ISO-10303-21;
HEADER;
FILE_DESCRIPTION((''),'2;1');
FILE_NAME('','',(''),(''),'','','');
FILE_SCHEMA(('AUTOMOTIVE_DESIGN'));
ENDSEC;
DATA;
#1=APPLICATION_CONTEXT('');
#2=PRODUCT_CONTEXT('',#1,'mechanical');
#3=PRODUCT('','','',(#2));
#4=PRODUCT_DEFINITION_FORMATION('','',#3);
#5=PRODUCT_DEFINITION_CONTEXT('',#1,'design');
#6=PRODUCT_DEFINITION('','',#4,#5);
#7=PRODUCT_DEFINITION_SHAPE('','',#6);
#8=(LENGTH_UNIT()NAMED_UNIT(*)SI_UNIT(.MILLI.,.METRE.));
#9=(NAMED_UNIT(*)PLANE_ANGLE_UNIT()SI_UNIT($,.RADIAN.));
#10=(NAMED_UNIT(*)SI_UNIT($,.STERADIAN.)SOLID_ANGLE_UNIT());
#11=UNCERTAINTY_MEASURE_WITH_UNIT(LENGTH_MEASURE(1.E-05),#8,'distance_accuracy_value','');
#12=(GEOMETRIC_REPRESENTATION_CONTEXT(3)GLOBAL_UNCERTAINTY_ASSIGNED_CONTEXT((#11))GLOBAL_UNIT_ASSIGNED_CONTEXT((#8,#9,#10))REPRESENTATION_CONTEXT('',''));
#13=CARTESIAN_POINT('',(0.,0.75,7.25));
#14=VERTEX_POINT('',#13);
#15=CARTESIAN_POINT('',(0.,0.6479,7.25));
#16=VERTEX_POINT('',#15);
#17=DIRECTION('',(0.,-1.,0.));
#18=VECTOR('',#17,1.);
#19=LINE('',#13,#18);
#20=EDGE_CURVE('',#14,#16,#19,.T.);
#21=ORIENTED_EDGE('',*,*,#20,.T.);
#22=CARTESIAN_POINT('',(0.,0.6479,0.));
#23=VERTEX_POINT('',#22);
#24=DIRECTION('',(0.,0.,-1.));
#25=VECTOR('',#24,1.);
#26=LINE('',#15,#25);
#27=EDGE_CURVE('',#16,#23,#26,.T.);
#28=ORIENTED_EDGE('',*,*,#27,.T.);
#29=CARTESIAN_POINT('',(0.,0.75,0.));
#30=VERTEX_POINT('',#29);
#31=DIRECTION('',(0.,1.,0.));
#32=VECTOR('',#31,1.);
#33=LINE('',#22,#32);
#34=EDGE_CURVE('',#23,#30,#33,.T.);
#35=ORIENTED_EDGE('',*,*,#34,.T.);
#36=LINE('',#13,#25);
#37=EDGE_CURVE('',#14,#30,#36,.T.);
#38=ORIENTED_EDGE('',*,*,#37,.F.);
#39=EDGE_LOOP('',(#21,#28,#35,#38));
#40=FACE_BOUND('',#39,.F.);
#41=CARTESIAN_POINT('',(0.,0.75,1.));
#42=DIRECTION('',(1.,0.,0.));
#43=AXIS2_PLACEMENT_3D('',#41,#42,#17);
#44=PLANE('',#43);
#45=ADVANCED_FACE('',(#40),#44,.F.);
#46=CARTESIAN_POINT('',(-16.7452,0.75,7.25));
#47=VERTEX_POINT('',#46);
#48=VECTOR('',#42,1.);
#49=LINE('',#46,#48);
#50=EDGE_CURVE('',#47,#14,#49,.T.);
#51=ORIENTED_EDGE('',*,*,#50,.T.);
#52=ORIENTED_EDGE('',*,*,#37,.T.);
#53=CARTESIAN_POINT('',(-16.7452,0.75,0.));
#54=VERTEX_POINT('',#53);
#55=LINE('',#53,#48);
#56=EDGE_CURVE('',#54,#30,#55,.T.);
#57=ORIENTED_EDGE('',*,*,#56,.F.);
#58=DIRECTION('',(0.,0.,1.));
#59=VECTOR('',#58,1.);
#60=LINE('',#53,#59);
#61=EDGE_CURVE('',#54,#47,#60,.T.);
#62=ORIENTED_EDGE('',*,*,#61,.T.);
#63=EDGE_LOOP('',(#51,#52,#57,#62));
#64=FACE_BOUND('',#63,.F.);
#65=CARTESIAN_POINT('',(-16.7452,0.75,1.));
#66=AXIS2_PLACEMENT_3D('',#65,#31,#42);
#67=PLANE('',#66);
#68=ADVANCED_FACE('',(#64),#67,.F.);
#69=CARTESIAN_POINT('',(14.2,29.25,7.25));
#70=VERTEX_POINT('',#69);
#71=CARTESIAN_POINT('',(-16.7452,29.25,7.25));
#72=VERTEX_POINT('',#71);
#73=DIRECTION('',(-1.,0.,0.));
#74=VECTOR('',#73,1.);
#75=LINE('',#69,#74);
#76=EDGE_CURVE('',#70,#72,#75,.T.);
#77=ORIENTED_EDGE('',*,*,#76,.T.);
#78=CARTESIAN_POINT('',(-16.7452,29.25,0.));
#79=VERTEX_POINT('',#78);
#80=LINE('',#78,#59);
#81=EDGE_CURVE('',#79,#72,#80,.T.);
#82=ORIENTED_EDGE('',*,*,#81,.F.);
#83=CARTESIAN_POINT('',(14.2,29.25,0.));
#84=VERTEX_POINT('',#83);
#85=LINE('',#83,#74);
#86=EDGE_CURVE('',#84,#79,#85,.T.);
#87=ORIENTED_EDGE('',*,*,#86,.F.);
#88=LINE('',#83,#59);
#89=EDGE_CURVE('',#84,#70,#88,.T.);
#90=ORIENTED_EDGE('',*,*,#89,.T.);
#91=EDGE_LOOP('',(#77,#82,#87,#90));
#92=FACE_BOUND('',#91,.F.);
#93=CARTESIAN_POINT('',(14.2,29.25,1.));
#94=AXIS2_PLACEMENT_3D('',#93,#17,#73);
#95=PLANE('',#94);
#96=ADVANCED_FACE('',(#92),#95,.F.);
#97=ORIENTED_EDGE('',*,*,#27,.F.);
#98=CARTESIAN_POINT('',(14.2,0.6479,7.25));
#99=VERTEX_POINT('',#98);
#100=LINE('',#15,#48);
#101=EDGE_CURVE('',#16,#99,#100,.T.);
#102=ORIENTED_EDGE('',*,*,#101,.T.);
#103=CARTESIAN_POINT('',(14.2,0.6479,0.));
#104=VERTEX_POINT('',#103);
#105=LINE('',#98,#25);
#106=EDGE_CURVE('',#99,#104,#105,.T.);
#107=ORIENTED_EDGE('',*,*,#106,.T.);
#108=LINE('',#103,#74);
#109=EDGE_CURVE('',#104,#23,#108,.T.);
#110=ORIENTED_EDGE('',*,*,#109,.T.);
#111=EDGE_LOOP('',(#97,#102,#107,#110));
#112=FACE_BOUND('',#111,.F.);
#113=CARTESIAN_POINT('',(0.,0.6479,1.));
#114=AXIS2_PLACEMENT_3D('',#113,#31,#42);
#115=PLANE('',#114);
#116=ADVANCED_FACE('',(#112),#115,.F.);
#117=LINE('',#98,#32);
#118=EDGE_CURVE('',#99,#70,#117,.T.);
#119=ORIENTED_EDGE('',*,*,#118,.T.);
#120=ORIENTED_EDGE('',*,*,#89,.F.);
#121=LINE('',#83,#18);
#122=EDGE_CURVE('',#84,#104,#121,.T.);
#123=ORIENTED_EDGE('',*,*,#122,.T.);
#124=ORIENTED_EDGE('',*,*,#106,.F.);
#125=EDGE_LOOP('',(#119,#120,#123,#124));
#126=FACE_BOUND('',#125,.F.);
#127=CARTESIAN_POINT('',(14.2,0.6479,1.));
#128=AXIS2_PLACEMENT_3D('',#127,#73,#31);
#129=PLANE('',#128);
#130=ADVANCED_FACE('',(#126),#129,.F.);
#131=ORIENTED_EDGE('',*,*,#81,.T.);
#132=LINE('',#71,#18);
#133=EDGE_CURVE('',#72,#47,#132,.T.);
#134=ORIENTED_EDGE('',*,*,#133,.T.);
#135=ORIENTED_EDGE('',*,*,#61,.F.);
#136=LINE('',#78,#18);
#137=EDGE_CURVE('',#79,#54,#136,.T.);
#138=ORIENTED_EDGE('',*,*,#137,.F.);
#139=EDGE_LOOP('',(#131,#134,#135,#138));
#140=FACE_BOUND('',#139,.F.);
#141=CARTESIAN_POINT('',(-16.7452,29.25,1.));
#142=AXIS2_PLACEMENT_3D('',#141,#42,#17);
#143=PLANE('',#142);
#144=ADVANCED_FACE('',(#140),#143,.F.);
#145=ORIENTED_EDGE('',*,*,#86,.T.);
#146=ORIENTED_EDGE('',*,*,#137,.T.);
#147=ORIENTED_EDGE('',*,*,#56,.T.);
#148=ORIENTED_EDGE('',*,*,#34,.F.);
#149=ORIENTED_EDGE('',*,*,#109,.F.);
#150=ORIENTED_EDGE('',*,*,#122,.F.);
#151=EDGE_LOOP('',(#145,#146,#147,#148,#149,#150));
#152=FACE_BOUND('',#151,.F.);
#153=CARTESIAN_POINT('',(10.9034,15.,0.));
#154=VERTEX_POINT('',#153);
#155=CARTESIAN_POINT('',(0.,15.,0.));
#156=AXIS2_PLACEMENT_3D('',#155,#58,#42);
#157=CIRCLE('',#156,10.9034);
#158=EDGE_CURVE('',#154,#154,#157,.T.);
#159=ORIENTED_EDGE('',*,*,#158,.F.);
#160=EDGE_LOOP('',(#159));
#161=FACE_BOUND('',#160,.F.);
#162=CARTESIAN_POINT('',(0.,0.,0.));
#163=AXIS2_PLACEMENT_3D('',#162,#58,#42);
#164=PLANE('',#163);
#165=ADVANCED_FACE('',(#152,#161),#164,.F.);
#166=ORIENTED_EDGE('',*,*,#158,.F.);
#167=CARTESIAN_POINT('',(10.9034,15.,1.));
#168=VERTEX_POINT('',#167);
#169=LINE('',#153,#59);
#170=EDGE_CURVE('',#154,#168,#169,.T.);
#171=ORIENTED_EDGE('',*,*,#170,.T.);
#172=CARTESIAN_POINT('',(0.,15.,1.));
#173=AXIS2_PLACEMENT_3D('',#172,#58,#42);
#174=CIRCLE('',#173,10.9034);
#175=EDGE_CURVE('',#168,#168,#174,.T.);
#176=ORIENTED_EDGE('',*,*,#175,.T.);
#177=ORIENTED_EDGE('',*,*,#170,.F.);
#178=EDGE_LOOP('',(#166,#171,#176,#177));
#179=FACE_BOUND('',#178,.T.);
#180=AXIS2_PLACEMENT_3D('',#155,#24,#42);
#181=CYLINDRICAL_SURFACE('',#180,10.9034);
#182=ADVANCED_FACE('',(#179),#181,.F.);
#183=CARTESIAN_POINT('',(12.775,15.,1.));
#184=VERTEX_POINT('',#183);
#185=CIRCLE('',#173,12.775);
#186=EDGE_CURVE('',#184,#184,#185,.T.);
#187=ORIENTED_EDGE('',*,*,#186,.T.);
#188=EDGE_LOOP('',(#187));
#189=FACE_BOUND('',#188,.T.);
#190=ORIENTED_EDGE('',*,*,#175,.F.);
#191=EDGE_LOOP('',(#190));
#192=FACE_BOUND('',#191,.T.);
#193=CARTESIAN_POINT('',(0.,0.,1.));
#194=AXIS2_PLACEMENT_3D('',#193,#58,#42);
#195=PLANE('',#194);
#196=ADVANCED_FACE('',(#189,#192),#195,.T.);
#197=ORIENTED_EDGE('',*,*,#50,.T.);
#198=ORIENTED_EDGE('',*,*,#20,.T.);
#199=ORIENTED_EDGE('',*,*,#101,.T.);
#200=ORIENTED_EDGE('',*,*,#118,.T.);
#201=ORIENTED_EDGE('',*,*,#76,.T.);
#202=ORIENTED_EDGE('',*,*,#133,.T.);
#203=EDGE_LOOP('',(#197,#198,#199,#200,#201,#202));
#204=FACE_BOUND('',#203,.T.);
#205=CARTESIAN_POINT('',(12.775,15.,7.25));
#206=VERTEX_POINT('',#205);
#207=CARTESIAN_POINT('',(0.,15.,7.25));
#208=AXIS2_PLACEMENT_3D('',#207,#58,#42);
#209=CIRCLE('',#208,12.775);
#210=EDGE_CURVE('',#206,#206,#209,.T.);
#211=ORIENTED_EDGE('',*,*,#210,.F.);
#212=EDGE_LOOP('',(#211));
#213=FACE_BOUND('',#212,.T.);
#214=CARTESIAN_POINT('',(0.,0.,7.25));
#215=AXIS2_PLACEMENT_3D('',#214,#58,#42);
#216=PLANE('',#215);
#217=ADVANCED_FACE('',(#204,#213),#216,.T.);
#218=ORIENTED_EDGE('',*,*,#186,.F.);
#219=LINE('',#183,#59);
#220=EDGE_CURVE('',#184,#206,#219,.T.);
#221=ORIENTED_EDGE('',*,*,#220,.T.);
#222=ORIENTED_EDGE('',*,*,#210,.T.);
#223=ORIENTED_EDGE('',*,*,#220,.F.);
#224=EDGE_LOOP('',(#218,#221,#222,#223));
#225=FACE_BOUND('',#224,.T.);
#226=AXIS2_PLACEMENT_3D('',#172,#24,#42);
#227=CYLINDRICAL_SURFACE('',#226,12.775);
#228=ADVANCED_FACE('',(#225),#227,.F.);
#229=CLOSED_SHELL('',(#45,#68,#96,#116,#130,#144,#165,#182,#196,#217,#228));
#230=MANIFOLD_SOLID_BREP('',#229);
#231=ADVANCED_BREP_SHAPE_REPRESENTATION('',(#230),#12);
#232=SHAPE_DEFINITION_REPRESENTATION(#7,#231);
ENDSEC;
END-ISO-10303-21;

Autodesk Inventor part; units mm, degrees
ref_plane "YZ Plane" through (0, 0, 0) normal (1, 0, 0) x (0, 1, 0)
ref_plane "XZ Plane" through (0, 0, 0) normal (0, 1, 0) x (-1, 0, 0)
ref_plane "XY Plane" through (0, 0, 0) normal (0, 0, 1) x (1, 0, 0)
ref_plane "Work Plane1" through (0, 0, 0) normal (0, 0, 1) x (1, 0, 0)
sketch "Sketch1" plane through (0, 0, 0) normal (0, 0, 1) x (1, 0, 0)
  arc A0 (-18.155, 30) -> (-18.155, 0) centre (0, 15) ccw construction
  line L0 (-18.155, 0) -> (-3.4871, 0) construction
  line L1 (-18.155, 30) -> (-3.4871, 30) construction
  circle A1 centre (0, 15) radius 15.4 construction
  line L2 (-6.5238, 0.75) -> (-17.7982, 0.75) construction
  line L3 (-17.7982, 29.25) -> (-6.5238, 29.25) construction
  line L4 (-6.5238, 29.25) -> (0, 29.25) construction
  line L5 (-6.5238, 0.75) -> (0, 0.75) construction
  line L6 (-16.7452, 29.25) -> (-16.7452, 0.75)
  line L7 (-16.7452, 0.75) -> (0, 0.75)
  line L8 (-16.7452, 29.25) -> (0, 29.25)
  arc A2 (-3.4871, 0) -> (3.4871, 0) centre (0, 15) ccw projected
  line L9 (3.4871, 0) -> (18, 0) projected
  line L10 (18, 0) -> (18, 30) projected
  line L11 (3.4871, 30) -> (18, 30) projected
  arc A3 (3.4871, 30) -> (-3.4871, 30) centre (0, 15) ccw projected
  line L12 (-7.3927, 28.5095) -> (7.3927, 28.5095) projected
  arc A4 (7.3927, 1.4905) -> (7.3927, 28.5095) centre (0, 15) ccw projected
  line L13 (7.3927, 1.4905) -> (-7.3927, 1.4905) projected
  arc A5 (-7.3927, 28.5095) -> (-7.3927, 1.4905) centre (0, 15) ccw projected
  line L14 (14.65, 3.6133) -> (14.65, -23.4854) projected
  line L15 (0, 29.25) -> (14.2, 29.25)
  line L16 (14.2, 29.25) -> (14.2, 0.6479)
  line L17 (14.2, 0.6479) -> (0, 0.6479)
  circle A6 centre (0, 15) radius 10.9034
  line L18 (0, 0.6479) -> (0, 0.75)
  point P0 (0, 0)
  dimension "d8" = 14.2
extrude "Extrusion1" add sketch "Sketch1" along normal blind 1 contours L8 L15 L16 A4 L12 A5 L13 L17 L18 L7 L6 | L16 A4 L13 A5 L12
sketch "Sketch2" plane through (0, 0, 1) normal (0, 0, 1) x (1, 0, 0)
  line L0 (14.2, 29.25) -> (-16.7452, 29.25) projected
  line L1 (-16.7452, 29.25) -> (-16.7452, 0.75) projected
  line L2 (-16.7452, 0.75) -> (0, 0.75) projected
  circle A0 centre (0, 15) radius 12.775
  line L3 (0, 0.75) -> (0, 0.6479) projected
  line L4 (0, 0.6479) -> (14.2, 0.6479) projected
  line L5 (14.2, 0.6479) -> (14.2, 29.25) projected
  point P0 (0, 0)
  dimension "d5" = 25.55
extrude "Extrusion2" add sketch "Sketch2" along normal blind 6.25
properties part number "10_Filteslide_25mm"
